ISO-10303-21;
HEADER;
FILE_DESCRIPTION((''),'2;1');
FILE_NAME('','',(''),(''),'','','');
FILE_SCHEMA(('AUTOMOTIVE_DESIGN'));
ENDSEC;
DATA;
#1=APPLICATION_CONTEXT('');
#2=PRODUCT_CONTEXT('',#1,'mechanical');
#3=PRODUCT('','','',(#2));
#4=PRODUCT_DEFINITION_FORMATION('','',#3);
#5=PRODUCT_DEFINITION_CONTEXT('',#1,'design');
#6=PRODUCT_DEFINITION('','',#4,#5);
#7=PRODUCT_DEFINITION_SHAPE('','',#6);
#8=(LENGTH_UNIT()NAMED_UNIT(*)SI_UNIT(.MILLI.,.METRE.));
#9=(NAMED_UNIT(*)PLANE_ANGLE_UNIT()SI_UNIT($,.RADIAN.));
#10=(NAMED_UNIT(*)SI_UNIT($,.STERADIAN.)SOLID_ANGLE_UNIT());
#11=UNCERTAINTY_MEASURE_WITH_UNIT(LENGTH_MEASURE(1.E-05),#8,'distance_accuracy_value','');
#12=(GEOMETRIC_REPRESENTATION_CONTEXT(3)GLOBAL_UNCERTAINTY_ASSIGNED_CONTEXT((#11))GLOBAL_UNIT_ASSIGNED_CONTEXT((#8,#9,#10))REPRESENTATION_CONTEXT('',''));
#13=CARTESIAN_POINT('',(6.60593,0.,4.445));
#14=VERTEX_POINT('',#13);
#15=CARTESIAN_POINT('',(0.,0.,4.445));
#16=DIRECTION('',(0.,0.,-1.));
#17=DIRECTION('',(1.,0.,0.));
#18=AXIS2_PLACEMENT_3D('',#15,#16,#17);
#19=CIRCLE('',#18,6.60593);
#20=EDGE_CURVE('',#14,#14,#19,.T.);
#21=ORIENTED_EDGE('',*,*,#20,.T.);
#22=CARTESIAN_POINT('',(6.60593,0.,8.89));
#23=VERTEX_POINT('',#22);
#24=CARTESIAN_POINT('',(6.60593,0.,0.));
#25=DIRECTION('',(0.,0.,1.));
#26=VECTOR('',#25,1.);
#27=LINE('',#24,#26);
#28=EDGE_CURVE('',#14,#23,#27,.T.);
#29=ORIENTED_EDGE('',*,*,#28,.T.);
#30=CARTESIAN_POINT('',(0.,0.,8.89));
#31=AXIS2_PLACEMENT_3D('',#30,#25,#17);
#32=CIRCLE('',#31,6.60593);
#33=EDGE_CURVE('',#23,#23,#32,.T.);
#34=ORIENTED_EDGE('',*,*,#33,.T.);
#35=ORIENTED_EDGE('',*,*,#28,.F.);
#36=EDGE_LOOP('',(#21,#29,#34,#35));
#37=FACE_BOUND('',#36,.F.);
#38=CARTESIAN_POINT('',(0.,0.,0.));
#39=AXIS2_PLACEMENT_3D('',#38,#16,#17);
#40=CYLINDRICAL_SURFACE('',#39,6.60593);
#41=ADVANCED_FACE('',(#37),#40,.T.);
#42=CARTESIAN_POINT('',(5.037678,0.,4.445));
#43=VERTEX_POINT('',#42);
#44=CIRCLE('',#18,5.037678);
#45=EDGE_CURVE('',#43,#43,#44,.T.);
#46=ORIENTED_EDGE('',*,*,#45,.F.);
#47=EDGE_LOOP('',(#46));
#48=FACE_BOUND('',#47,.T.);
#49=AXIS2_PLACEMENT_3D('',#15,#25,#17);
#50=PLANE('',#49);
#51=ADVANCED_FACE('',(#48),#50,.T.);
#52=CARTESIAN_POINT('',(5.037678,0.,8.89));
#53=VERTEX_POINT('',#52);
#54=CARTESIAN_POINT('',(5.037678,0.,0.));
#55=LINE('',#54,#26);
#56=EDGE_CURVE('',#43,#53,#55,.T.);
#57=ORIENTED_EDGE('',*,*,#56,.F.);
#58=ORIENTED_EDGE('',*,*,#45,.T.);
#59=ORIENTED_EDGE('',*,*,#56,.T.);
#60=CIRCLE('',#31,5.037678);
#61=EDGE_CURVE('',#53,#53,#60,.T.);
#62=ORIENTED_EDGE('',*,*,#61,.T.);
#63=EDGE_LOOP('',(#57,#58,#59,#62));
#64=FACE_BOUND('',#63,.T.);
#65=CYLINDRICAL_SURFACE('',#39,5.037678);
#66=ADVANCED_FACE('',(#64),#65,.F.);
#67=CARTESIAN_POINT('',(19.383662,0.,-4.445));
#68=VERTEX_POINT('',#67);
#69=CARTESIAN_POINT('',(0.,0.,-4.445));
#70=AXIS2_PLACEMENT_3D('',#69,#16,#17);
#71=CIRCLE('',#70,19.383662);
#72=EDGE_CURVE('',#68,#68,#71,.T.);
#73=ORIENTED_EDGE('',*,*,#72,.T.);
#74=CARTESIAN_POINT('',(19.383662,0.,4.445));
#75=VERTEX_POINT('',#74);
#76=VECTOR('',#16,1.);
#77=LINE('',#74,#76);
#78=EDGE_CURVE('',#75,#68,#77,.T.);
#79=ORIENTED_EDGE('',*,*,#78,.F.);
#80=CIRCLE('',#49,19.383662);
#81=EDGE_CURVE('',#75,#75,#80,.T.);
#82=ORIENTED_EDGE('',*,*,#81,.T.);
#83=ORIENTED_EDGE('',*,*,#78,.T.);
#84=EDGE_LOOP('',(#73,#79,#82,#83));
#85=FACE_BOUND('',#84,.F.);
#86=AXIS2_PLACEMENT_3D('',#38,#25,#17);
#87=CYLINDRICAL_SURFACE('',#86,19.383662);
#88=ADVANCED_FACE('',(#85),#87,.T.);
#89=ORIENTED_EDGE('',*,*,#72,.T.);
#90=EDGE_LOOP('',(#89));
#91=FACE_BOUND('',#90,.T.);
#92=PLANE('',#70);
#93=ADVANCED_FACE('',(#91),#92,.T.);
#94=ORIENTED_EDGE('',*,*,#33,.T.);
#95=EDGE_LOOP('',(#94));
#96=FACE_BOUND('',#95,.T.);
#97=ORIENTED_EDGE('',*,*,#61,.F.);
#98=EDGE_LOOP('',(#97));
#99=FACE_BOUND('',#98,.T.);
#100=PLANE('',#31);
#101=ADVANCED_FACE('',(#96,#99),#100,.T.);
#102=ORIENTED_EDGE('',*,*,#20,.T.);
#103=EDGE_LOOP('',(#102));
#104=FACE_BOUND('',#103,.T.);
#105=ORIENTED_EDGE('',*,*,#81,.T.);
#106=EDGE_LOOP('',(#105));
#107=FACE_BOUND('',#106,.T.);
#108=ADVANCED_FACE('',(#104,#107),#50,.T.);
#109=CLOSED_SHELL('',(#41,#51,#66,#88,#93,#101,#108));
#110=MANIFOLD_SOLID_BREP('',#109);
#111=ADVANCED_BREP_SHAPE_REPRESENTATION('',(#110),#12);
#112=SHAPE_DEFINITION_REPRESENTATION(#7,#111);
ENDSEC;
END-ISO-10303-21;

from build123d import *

# Parameters (mm, degrees)
F3_R      = 6.60593
F3_R_2    = 5.037678
F0_DEPTH  = 8.89
F4_R      = 11.149828
F5_DEPTH  = 2.54
F1_R      = 19.383662
F2_DEPTH  = 4.445
F2_FACE_R = 19.383662
F6_DEPTH  = 4.445


with BuildPart() as f0:
    # F3 (on Top) → F0 (new body)
    with BuildSketch(Plane.XY):
        Circle(F3_R)
        Circle(F3_R_2, mode=Mode.SUBTRACT)
    extrude(amount=F0_DEPTH)

    # F4 (on Top) → F5 (join)
    with BuildSketch(Plane.XY):
        Circle(F4_R)
    extrude(amount=F5_DEPTH)

    # F1 (on Top) → F2 (join)
    with BuildSketch(Plane.XY):
        Circle(F1_R)
    extrude(amount=F2_DEPTH)

    # F2_face (on face) → F6 (join)
    with BuildSketch(Plane(origin=(0, 0, 0), x_dir=(1, 0, 0), z_dir=(0, 0, -1))):
        Circle(F2_FACE_R)
    extrude(amount=F6_DEPTH)


solid = f0.part
